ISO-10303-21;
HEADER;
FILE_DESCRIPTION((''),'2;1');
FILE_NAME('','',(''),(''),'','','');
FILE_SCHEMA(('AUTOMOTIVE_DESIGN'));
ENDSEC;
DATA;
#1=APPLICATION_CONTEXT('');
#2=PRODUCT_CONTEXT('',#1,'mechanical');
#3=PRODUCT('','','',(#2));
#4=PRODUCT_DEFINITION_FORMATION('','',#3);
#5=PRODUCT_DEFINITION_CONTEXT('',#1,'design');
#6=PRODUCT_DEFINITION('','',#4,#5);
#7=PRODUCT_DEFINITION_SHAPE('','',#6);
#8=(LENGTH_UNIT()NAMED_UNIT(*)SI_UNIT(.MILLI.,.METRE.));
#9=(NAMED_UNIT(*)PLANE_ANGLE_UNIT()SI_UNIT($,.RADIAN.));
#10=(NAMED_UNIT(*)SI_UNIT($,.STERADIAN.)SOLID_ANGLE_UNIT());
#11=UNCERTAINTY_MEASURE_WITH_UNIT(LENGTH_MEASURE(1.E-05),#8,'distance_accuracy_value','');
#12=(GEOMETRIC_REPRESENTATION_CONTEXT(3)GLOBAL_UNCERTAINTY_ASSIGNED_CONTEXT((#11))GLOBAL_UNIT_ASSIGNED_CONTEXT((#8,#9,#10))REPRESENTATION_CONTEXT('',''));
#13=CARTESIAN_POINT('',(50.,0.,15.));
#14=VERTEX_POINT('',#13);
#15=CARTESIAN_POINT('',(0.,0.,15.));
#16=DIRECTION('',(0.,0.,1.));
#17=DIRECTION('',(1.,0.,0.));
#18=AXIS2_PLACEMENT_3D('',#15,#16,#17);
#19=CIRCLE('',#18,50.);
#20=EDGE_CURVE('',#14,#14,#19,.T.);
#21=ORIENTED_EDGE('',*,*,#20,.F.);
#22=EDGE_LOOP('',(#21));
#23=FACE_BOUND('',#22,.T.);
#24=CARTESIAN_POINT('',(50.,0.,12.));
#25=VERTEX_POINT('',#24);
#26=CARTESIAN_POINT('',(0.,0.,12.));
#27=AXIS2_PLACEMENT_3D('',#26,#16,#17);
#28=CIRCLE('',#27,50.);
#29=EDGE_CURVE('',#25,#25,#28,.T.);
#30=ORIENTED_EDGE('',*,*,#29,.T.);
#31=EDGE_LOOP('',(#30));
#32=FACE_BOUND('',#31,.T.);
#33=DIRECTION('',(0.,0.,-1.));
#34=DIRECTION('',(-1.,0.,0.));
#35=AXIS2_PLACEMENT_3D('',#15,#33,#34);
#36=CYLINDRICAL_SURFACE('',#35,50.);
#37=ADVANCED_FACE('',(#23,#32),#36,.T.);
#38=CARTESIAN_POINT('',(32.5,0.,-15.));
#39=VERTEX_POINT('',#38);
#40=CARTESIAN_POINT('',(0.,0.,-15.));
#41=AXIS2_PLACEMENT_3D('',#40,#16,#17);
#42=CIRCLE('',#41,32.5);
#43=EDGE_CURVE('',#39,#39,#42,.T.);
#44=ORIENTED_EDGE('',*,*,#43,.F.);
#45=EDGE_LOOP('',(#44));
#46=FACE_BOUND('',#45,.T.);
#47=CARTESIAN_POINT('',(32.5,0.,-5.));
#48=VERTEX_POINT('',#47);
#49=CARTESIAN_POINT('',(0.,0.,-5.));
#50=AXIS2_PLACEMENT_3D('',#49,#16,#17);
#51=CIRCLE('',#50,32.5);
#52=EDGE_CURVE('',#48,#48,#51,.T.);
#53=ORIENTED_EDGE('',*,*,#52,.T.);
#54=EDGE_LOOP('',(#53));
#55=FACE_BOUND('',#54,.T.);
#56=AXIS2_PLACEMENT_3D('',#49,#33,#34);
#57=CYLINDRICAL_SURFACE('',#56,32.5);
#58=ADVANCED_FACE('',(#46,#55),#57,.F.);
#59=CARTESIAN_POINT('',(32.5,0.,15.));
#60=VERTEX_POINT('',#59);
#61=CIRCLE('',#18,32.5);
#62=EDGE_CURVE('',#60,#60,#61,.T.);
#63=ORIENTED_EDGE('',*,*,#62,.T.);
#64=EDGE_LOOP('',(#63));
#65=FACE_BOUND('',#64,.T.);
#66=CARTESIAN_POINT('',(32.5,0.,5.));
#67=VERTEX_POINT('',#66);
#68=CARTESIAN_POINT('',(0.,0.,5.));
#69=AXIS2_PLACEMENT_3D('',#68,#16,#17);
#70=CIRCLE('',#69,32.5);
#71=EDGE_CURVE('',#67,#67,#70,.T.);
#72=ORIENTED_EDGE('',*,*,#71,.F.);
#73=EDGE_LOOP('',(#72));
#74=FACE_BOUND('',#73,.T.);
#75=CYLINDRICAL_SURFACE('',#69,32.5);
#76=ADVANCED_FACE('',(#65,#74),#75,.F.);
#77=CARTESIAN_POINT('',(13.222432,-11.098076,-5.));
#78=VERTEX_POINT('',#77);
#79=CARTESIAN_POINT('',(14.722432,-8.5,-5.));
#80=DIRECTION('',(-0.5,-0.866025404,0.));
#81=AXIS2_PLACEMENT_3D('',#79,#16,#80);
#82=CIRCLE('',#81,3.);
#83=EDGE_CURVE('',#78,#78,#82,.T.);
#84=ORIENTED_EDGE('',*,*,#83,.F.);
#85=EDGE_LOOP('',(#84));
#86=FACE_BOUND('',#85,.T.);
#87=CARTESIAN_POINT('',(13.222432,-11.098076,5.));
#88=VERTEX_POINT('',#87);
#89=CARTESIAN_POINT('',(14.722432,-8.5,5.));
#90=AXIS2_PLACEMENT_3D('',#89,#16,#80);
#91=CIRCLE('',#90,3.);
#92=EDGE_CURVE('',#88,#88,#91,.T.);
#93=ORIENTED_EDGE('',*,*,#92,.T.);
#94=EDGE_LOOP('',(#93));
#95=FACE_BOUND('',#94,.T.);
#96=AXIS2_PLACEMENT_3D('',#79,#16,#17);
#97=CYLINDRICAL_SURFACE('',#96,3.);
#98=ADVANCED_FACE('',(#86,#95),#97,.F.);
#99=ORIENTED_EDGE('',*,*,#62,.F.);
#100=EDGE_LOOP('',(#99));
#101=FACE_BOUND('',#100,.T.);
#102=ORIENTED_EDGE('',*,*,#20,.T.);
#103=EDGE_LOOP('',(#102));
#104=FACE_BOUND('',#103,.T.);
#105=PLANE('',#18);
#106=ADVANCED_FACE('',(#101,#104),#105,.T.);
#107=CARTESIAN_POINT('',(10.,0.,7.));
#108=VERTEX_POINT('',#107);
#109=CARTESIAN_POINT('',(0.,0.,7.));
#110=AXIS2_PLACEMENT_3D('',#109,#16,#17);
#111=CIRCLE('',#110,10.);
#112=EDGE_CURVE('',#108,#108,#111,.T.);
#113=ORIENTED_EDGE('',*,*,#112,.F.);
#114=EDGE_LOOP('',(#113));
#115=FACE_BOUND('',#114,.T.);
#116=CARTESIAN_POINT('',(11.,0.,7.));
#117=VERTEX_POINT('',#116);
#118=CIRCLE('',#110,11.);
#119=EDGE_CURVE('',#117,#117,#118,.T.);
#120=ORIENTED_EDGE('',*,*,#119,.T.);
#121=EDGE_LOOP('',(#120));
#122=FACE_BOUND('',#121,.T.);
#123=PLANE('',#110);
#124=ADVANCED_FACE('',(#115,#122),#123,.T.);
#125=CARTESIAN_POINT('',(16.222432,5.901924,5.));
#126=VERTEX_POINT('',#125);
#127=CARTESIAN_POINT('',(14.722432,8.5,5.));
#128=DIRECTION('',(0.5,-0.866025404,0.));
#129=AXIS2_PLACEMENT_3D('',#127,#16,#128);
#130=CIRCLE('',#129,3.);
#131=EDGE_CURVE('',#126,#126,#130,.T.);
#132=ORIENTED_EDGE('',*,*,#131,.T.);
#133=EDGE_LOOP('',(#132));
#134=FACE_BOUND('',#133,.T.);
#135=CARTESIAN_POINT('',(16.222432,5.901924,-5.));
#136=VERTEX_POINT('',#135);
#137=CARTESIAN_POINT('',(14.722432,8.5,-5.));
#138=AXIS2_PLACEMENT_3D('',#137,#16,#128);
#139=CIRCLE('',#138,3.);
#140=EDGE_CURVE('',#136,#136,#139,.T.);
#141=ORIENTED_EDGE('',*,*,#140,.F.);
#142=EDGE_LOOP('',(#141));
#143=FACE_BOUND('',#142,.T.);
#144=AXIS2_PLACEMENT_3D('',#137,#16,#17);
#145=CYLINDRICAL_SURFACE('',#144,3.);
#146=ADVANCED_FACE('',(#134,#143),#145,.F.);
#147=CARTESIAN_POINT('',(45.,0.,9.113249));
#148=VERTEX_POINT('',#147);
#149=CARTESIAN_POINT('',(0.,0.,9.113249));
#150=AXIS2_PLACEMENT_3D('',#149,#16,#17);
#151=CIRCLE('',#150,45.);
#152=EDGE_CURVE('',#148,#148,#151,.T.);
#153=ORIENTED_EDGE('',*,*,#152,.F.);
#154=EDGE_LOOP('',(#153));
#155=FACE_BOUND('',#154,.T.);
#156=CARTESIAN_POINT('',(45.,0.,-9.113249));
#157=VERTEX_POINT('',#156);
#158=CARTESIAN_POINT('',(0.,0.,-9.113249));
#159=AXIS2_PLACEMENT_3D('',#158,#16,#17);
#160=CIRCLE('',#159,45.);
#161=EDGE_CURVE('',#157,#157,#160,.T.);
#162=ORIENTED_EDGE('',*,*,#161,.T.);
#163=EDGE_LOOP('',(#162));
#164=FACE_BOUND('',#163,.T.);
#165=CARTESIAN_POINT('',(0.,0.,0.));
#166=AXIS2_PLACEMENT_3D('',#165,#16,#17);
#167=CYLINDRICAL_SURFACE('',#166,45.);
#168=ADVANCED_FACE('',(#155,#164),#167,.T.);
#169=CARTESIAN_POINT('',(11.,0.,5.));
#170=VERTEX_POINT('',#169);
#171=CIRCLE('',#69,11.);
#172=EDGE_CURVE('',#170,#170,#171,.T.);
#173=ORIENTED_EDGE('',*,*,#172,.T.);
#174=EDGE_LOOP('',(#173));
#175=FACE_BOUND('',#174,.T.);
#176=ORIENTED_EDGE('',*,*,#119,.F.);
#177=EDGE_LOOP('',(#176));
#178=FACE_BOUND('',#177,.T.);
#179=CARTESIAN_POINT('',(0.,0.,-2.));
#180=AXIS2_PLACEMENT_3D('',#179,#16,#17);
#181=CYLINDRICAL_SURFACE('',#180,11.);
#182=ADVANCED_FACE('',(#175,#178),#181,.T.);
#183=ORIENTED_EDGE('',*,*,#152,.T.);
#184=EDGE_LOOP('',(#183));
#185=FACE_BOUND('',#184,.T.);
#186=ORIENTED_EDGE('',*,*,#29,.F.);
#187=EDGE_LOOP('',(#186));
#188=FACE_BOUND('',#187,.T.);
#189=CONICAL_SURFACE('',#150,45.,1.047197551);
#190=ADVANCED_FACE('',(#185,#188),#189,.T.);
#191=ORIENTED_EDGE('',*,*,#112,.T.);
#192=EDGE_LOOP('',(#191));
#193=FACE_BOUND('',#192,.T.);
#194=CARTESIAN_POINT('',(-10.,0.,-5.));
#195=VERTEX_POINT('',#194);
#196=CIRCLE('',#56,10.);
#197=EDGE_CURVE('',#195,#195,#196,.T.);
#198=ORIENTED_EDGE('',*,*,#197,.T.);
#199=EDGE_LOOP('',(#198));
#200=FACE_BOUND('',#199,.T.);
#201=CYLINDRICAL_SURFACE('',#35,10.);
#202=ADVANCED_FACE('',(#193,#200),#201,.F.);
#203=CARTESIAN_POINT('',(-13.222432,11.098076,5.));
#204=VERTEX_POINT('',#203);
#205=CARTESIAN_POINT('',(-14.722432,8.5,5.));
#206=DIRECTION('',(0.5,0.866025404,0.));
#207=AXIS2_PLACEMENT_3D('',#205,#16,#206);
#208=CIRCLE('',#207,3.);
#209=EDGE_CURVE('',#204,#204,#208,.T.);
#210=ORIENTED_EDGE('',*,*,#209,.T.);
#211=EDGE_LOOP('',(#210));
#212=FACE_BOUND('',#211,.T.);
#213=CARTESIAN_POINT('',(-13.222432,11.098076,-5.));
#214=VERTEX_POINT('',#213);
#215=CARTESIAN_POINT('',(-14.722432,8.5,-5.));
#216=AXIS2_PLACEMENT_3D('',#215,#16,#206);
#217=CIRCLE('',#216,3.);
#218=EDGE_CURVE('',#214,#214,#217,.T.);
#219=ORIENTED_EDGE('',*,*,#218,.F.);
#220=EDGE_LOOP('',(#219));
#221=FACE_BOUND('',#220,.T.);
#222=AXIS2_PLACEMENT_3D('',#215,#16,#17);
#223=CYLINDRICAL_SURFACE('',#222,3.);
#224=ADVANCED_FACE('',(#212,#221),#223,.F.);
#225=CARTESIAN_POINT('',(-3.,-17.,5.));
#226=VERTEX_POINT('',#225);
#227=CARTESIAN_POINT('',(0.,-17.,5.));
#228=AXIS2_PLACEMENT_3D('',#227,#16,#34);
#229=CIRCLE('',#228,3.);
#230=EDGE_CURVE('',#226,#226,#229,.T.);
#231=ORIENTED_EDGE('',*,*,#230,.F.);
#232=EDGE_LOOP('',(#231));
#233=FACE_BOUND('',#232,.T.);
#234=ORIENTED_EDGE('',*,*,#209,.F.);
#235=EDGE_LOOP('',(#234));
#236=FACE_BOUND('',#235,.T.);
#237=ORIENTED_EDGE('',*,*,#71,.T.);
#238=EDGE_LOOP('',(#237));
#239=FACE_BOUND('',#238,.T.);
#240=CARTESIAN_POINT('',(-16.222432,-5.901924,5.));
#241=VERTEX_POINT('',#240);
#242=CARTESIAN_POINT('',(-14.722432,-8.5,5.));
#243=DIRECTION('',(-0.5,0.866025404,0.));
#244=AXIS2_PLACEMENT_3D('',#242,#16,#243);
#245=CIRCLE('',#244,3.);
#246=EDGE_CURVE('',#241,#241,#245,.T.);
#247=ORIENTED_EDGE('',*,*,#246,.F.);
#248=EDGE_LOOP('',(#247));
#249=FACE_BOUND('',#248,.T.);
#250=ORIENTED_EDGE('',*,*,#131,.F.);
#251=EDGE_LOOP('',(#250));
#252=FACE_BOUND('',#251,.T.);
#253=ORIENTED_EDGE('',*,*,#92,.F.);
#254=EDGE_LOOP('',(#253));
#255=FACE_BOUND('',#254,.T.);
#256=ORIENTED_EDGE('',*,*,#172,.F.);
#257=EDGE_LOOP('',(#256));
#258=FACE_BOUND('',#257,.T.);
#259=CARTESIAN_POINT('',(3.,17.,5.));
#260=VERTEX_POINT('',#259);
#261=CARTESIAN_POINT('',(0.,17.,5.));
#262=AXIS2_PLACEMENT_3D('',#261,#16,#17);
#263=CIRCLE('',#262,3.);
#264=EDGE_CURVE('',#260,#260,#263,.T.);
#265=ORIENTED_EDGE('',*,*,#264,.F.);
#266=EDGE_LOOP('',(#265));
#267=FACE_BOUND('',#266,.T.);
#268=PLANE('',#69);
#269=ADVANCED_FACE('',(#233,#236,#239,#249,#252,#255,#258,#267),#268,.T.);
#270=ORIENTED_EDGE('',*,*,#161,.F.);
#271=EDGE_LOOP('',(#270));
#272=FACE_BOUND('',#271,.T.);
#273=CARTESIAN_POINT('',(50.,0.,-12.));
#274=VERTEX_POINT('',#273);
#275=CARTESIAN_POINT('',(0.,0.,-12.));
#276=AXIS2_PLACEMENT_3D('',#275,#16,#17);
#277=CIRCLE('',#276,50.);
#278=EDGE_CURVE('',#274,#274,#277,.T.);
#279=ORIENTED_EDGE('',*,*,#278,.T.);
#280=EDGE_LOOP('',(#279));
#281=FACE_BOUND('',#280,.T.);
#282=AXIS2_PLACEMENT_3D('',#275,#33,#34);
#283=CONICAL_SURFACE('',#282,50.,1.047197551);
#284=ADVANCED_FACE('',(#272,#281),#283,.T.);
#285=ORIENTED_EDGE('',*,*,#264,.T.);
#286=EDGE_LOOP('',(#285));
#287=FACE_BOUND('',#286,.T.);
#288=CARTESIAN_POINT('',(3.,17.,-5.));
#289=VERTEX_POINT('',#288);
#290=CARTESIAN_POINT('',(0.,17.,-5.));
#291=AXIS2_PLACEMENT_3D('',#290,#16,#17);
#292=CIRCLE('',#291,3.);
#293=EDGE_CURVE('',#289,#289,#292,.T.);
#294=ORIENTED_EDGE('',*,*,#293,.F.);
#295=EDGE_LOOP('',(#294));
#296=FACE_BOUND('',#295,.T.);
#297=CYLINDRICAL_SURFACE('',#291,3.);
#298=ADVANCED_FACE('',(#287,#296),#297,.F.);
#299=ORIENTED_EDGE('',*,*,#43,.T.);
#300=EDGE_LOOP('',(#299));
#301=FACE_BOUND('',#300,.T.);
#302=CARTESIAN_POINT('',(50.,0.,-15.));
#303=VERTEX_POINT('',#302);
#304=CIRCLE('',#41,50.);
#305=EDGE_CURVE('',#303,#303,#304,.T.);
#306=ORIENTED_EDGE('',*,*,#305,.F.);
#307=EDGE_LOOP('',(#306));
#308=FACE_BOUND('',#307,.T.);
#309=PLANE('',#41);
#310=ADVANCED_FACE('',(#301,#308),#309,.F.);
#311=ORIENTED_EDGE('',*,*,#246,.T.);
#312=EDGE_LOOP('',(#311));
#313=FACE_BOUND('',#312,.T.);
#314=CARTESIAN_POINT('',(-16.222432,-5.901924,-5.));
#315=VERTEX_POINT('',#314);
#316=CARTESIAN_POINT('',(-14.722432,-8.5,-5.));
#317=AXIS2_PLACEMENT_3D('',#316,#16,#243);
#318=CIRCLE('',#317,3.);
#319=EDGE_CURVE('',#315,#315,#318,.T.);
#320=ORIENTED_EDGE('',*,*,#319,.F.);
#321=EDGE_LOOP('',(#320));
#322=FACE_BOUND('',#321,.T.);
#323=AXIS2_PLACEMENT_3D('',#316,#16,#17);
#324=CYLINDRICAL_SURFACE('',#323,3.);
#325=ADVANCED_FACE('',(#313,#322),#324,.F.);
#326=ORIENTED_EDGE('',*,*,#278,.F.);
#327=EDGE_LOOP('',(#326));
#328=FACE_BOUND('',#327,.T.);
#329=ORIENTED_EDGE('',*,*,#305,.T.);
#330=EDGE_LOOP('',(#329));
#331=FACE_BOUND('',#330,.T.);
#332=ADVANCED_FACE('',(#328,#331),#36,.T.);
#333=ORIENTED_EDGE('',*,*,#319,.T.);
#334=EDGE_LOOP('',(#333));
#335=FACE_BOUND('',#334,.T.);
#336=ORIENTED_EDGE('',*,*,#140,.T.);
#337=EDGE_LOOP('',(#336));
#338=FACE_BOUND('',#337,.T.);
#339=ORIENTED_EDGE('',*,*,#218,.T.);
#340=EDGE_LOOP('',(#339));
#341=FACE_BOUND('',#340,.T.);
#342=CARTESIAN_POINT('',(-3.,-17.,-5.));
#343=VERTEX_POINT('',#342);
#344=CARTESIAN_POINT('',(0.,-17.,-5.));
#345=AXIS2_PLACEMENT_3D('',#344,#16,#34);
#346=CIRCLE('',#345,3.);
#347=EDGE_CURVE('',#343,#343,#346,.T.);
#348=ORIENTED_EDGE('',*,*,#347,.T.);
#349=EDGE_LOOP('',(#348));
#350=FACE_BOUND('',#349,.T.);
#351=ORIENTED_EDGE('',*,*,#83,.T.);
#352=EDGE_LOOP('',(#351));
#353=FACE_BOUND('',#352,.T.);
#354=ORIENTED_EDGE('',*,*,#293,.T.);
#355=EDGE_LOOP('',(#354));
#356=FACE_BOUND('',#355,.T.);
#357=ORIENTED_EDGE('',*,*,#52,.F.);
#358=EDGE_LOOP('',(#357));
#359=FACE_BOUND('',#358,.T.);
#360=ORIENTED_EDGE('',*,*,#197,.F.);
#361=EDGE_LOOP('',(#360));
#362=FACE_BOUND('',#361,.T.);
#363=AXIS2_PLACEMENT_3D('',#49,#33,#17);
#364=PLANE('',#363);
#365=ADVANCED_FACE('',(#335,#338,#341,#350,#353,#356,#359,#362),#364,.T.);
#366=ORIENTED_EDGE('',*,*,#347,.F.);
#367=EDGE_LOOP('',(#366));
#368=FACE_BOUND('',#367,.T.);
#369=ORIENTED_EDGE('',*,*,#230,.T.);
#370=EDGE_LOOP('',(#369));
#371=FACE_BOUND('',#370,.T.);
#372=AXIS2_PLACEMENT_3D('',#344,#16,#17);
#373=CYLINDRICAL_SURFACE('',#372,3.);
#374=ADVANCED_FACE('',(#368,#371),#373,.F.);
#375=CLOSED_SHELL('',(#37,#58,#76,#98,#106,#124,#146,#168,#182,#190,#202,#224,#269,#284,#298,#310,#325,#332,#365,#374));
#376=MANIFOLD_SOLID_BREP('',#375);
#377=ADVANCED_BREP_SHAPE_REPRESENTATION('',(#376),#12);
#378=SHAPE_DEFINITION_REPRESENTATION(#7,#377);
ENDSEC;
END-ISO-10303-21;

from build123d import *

# Parameters (mm, degrees)
SKETCH1_R                = 50
SKETCH1_R_2              = 10
BOSS_EXTRUDE1_DEPTH      = 15
SKETCH2_R                = 32.5
CUT_EXTRUDE2_DEPTH       = 10
SKETCH3_R                = 3
CUT_EXTRUDE8_DEPTH       = 10
CIRPATTERN1_COUNT        = 6
BOSS_EXTRUDE3_DEPTH      = 2
BOSS_EXTRUDE3_DEPTH_BACK = 7
SKETCH4_R                = 11
SKETCH4_R_2              = 10


with BuildPart() as part:
    # Sketch1 → Boss-Extrude1 (new, symmetric)
    with BuildSketch(Plane.XY):
        Circle(SKETCH1_R)
        Circle(SKETCH1_R_2, mode=Mode.SUBTRACT)
    extrude(amount=BOSS_EXTRUDE1_DEPTH, both=True)

    # Sketch2 → Cut-Extrude2 (cut)
    with BuildSketch(Plane.XY.offset(15)):
        Circle(SKETCH2_R)
    cut_extrude2 = extrude(amount=-CUT_EXTRUDE2_DEPTH, mode=Mode.SUBTRACT)

    # Mirror2: Cut-Extrude2 across plane
    add(cut_extrude2.mirror(Plane.XY), mode=Mode.SUBTRACT)

    # Sketch3 → Cut-Extrude8 (cut)
    with BuildSketch(Plane.XY.offset(5)):
        with Locations((0, 17)):
            Circle(SKETCH3_R)
    cut_extrude8 = extrude(amount=-CUT_EXTRUDE8_DEPTH, mode=Mode.SUBTRACT)

    # CirPattern1: Cut-Extrude8 ×6 about axis
    cirpattern1_axis = Axis((0, 0, 0), (0, 0, 1))
    for i in range(1, CIRPATTERN1_COUNT):
        add(cut_extrude8.rotate(cirpattern1_axis, i * 360 / CIRPATTERN1_COUNT), mode=Mode.SUBTRACT)

    # Sketch4 → Boss-Extrude3 (add, two sides: drawn at the far end of the back side and taken through both)
    with BuildSketch(Plane.XY.offset(5).offset(-BOSS_EXTRUDE3_DEPTH_BACK)):
        Circle(SKETCH4_R)
        with Locations(Location((0, 0, 0), (0, 0, 180))):
            Circle(SKETCH4_R_2, mode=Mode.SUBTRACT)
    extrude(amount=BOSS_EXTRUDE3_DEPTH + BOSS_EXTRUDE3_DEPTH_BACK)

    # Sketch5 → Cut-Revolve2 (revolve, cut)
    with BuildSketch(Plane(origin=(0, 0, 0), x_dir=(1, 0, 0), z_dir=(0, 1, 0))):
        Polygon((50, 12), (45, 9.113248654), (45, -9.113248654), (50, -12), align=None)
    revolve(axis=Axis((0, 0, 0), (0, 0, -1)), mode=Mode.SUBTRACT)


solid = part.part
